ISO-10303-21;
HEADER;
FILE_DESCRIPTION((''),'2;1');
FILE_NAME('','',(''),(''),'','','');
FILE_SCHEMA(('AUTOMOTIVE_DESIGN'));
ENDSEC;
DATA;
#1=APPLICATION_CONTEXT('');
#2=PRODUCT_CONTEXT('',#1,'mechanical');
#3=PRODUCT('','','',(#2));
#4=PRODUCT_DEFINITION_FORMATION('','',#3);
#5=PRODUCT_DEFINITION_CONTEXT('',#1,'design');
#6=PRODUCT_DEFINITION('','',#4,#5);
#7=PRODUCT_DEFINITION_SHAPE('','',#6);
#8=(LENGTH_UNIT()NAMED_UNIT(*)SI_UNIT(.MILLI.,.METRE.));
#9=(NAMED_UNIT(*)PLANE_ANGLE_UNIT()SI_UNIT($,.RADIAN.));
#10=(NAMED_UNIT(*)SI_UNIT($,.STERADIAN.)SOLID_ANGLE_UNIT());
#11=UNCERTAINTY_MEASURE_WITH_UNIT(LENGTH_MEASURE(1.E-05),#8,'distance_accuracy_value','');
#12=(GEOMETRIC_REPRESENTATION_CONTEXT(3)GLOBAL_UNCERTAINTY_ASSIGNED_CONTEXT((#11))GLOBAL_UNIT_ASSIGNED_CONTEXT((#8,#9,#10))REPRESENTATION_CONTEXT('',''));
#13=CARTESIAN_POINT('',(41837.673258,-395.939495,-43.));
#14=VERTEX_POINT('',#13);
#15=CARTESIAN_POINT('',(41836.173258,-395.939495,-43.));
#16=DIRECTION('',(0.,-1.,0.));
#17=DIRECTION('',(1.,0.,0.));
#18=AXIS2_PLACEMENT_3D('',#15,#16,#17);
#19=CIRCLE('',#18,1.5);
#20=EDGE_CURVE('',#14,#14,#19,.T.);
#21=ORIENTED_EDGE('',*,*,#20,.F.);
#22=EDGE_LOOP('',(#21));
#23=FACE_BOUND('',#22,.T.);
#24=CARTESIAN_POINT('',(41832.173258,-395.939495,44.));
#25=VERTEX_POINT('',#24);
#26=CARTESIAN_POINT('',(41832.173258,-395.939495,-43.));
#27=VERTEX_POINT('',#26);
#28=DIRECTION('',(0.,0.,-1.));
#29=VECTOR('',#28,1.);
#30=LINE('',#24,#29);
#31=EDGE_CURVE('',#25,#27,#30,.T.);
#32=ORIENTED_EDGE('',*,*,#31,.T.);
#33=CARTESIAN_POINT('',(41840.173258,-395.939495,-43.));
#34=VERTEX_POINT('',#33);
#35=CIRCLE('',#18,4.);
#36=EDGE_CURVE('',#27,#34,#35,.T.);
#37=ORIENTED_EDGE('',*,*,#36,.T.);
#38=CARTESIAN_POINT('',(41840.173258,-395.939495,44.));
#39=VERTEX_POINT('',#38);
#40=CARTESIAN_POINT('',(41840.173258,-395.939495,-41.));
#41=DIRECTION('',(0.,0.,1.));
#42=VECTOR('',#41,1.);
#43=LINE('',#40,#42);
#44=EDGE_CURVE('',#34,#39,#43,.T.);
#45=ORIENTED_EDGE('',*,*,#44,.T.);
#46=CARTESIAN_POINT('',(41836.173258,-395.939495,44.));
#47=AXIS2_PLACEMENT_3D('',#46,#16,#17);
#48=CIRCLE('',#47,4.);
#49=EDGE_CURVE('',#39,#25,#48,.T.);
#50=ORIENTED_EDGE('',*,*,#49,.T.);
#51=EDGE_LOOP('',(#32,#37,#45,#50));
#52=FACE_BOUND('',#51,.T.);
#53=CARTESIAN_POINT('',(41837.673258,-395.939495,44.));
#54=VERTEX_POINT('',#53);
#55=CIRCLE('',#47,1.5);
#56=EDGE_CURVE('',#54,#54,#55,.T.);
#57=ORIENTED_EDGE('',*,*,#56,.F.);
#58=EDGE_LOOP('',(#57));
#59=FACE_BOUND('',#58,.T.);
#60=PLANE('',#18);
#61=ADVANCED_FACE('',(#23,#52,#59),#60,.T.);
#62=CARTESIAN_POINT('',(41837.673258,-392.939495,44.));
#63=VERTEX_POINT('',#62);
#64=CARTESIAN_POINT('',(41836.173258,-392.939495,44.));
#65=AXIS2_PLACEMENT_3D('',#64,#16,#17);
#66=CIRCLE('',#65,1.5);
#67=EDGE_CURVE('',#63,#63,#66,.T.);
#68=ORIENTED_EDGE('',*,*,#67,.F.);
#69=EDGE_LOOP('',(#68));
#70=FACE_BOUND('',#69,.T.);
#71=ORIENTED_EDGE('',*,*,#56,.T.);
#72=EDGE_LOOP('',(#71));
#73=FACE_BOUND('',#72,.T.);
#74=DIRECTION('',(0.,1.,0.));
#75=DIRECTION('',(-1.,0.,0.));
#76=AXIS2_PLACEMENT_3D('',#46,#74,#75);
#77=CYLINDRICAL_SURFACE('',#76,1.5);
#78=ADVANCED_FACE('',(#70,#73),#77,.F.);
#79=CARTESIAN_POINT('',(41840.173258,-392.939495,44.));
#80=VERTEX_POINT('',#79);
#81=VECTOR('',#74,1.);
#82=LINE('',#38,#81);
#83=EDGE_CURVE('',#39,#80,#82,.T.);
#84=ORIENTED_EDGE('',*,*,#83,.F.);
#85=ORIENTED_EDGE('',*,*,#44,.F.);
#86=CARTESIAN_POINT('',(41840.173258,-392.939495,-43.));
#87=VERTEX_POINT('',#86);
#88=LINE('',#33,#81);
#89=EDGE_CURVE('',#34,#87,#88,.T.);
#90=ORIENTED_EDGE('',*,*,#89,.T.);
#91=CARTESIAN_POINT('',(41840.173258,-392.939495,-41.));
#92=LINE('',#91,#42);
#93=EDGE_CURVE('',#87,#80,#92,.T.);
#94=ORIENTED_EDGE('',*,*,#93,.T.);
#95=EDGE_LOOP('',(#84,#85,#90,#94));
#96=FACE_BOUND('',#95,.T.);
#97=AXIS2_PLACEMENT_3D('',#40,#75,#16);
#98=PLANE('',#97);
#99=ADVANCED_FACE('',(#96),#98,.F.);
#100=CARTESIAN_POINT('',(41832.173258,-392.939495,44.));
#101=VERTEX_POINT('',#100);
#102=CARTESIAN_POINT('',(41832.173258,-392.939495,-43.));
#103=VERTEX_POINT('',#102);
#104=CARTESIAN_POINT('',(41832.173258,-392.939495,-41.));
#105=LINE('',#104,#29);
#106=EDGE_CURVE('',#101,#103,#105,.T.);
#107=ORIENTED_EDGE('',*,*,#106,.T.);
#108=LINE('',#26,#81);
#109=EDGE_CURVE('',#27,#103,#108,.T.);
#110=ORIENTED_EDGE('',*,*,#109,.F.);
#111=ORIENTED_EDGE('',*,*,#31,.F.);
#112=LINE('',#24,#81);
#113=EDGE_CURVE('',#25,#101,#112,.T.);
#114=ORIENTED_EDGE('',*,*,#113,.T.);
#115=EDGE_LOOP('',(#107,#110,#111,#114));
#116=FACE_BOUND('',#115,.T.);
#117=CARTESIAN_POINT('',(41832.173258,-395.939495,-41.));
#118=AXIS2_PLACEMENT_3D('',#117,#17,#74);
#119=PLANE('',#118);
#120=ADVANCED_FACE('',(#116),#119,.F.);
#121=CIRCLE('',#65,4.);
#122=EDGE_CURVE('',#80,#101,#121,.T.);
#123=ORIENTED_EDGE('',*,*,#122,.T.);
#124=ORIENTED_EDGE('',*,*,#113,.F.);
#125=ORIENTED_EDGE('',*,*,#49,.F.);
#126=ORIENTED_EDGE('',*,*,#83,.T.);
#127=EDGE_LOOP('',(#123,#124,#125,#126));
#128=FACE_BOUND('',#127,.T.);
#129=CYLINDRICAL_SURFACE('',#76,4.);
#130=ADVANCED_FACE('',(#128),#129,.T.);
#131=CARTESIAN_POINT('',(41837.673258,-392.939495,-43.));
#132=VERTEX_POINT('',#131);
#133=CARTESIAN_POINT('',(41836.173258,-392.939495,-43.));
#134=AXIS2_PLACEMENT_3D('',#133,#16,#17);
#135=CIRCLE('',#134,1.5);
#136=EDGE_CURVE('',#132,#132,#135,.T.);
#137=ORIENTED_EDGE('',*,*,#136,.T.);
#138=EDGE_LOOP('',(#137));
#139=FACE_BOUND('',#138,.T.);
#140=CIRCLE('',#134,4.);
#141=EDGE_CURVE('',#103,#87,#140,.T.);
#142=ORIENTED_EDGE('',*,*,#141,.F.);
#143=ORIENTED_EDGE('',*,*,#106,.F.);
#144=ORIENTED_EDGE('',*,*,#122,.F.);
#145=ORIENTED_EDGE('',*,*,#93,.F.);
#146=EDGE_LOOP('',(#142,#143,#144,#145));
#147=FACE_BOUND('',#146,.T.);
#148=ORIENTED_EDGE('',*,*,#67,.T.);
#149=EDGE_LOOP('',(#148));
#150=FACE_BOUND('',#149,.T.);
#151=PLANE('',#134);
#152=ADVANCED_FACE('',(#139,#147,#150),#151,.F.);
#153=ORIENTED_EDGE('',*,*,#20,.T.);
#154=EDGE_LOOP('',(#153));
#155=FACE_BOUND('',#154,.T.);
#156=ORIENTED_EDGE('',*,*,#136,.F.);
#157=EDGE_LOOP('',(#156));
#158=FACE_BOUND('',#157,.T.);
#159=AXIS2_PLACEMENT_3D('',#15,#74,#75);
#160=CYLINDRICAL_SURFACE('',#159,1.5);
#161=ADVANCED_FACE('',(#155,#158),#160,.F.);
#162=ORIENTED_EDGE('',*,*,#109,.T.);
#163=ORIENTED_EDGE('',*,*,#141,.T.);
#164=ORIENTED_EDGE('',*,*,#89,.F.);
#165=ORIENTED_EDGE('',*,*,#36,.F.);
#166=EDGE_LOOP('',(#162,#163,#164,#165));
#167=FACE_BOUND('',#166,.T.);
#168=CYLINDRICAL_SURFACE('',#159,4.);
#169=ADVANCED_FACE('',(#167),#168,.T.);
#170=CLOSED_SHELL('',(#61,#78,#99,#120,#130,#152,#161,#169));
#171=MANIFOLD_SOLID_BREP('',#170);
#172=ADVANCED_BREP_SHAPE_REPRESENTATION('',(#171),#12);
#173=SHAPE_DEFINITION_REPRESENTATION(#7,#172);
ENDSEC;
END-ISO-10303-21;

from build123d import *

# Parameters (mm, degrees)
CROQUIS1_R                 = 1.5
SALIENTE_EXTRUIR1_DEPTH    = 3
S_LIDO_MOVER_COPIAR1_ANGLE = 90


with BuildPart() as part:
    # Croquis1 → Saliente-Extruir1 (new body)
    with BuildSketch(Plane.XY):
        with BuildLine():
            Line((41840.173257962, -436.939495492), (41840.173257962, -351.939495492))
            ThreePointArc((41840.173257962, -351.939495492), (41836.173257962, -347.939495492), (41832.173257962, -351.939495492))
            Line((41832.173257962, -351.939495492), (41832.173257962, -436.939495492))
            Line((41832.173257962, -436.939495492), (41832.173257962, -438.939495492))
            ThreePointArc((41832.173257962, -438.939495492), (41836.173257962, -442.939495492), (41840.173257962, -438.939495492))
            Line((41840.173257962, -438.939495492), (41840.173257962, -436.939495492))
        make_face()
        with Locations((41836.173257962, -351.939495492)):
            Circle(CROQUIS1_R, mode=Mode.SUBTRACT)
        with Locations((41836.173257962, -438.939495492)):
            Circle(CROQUIS1_R, mode=Mode.SUBTRACT)
    extrude(amount=SALIENTE_EXTRUIR1_DEPTH)


with BuildPart() as part_1:
    # Sólido-Mover/Copiar1: moved
    add(part.part.rotate(Axis((0, -394.439495492, 1.5), (1, 0, 0)), S_LIDO_MOVER_COPIAR1_ANGLE))


solid = part_1.part
